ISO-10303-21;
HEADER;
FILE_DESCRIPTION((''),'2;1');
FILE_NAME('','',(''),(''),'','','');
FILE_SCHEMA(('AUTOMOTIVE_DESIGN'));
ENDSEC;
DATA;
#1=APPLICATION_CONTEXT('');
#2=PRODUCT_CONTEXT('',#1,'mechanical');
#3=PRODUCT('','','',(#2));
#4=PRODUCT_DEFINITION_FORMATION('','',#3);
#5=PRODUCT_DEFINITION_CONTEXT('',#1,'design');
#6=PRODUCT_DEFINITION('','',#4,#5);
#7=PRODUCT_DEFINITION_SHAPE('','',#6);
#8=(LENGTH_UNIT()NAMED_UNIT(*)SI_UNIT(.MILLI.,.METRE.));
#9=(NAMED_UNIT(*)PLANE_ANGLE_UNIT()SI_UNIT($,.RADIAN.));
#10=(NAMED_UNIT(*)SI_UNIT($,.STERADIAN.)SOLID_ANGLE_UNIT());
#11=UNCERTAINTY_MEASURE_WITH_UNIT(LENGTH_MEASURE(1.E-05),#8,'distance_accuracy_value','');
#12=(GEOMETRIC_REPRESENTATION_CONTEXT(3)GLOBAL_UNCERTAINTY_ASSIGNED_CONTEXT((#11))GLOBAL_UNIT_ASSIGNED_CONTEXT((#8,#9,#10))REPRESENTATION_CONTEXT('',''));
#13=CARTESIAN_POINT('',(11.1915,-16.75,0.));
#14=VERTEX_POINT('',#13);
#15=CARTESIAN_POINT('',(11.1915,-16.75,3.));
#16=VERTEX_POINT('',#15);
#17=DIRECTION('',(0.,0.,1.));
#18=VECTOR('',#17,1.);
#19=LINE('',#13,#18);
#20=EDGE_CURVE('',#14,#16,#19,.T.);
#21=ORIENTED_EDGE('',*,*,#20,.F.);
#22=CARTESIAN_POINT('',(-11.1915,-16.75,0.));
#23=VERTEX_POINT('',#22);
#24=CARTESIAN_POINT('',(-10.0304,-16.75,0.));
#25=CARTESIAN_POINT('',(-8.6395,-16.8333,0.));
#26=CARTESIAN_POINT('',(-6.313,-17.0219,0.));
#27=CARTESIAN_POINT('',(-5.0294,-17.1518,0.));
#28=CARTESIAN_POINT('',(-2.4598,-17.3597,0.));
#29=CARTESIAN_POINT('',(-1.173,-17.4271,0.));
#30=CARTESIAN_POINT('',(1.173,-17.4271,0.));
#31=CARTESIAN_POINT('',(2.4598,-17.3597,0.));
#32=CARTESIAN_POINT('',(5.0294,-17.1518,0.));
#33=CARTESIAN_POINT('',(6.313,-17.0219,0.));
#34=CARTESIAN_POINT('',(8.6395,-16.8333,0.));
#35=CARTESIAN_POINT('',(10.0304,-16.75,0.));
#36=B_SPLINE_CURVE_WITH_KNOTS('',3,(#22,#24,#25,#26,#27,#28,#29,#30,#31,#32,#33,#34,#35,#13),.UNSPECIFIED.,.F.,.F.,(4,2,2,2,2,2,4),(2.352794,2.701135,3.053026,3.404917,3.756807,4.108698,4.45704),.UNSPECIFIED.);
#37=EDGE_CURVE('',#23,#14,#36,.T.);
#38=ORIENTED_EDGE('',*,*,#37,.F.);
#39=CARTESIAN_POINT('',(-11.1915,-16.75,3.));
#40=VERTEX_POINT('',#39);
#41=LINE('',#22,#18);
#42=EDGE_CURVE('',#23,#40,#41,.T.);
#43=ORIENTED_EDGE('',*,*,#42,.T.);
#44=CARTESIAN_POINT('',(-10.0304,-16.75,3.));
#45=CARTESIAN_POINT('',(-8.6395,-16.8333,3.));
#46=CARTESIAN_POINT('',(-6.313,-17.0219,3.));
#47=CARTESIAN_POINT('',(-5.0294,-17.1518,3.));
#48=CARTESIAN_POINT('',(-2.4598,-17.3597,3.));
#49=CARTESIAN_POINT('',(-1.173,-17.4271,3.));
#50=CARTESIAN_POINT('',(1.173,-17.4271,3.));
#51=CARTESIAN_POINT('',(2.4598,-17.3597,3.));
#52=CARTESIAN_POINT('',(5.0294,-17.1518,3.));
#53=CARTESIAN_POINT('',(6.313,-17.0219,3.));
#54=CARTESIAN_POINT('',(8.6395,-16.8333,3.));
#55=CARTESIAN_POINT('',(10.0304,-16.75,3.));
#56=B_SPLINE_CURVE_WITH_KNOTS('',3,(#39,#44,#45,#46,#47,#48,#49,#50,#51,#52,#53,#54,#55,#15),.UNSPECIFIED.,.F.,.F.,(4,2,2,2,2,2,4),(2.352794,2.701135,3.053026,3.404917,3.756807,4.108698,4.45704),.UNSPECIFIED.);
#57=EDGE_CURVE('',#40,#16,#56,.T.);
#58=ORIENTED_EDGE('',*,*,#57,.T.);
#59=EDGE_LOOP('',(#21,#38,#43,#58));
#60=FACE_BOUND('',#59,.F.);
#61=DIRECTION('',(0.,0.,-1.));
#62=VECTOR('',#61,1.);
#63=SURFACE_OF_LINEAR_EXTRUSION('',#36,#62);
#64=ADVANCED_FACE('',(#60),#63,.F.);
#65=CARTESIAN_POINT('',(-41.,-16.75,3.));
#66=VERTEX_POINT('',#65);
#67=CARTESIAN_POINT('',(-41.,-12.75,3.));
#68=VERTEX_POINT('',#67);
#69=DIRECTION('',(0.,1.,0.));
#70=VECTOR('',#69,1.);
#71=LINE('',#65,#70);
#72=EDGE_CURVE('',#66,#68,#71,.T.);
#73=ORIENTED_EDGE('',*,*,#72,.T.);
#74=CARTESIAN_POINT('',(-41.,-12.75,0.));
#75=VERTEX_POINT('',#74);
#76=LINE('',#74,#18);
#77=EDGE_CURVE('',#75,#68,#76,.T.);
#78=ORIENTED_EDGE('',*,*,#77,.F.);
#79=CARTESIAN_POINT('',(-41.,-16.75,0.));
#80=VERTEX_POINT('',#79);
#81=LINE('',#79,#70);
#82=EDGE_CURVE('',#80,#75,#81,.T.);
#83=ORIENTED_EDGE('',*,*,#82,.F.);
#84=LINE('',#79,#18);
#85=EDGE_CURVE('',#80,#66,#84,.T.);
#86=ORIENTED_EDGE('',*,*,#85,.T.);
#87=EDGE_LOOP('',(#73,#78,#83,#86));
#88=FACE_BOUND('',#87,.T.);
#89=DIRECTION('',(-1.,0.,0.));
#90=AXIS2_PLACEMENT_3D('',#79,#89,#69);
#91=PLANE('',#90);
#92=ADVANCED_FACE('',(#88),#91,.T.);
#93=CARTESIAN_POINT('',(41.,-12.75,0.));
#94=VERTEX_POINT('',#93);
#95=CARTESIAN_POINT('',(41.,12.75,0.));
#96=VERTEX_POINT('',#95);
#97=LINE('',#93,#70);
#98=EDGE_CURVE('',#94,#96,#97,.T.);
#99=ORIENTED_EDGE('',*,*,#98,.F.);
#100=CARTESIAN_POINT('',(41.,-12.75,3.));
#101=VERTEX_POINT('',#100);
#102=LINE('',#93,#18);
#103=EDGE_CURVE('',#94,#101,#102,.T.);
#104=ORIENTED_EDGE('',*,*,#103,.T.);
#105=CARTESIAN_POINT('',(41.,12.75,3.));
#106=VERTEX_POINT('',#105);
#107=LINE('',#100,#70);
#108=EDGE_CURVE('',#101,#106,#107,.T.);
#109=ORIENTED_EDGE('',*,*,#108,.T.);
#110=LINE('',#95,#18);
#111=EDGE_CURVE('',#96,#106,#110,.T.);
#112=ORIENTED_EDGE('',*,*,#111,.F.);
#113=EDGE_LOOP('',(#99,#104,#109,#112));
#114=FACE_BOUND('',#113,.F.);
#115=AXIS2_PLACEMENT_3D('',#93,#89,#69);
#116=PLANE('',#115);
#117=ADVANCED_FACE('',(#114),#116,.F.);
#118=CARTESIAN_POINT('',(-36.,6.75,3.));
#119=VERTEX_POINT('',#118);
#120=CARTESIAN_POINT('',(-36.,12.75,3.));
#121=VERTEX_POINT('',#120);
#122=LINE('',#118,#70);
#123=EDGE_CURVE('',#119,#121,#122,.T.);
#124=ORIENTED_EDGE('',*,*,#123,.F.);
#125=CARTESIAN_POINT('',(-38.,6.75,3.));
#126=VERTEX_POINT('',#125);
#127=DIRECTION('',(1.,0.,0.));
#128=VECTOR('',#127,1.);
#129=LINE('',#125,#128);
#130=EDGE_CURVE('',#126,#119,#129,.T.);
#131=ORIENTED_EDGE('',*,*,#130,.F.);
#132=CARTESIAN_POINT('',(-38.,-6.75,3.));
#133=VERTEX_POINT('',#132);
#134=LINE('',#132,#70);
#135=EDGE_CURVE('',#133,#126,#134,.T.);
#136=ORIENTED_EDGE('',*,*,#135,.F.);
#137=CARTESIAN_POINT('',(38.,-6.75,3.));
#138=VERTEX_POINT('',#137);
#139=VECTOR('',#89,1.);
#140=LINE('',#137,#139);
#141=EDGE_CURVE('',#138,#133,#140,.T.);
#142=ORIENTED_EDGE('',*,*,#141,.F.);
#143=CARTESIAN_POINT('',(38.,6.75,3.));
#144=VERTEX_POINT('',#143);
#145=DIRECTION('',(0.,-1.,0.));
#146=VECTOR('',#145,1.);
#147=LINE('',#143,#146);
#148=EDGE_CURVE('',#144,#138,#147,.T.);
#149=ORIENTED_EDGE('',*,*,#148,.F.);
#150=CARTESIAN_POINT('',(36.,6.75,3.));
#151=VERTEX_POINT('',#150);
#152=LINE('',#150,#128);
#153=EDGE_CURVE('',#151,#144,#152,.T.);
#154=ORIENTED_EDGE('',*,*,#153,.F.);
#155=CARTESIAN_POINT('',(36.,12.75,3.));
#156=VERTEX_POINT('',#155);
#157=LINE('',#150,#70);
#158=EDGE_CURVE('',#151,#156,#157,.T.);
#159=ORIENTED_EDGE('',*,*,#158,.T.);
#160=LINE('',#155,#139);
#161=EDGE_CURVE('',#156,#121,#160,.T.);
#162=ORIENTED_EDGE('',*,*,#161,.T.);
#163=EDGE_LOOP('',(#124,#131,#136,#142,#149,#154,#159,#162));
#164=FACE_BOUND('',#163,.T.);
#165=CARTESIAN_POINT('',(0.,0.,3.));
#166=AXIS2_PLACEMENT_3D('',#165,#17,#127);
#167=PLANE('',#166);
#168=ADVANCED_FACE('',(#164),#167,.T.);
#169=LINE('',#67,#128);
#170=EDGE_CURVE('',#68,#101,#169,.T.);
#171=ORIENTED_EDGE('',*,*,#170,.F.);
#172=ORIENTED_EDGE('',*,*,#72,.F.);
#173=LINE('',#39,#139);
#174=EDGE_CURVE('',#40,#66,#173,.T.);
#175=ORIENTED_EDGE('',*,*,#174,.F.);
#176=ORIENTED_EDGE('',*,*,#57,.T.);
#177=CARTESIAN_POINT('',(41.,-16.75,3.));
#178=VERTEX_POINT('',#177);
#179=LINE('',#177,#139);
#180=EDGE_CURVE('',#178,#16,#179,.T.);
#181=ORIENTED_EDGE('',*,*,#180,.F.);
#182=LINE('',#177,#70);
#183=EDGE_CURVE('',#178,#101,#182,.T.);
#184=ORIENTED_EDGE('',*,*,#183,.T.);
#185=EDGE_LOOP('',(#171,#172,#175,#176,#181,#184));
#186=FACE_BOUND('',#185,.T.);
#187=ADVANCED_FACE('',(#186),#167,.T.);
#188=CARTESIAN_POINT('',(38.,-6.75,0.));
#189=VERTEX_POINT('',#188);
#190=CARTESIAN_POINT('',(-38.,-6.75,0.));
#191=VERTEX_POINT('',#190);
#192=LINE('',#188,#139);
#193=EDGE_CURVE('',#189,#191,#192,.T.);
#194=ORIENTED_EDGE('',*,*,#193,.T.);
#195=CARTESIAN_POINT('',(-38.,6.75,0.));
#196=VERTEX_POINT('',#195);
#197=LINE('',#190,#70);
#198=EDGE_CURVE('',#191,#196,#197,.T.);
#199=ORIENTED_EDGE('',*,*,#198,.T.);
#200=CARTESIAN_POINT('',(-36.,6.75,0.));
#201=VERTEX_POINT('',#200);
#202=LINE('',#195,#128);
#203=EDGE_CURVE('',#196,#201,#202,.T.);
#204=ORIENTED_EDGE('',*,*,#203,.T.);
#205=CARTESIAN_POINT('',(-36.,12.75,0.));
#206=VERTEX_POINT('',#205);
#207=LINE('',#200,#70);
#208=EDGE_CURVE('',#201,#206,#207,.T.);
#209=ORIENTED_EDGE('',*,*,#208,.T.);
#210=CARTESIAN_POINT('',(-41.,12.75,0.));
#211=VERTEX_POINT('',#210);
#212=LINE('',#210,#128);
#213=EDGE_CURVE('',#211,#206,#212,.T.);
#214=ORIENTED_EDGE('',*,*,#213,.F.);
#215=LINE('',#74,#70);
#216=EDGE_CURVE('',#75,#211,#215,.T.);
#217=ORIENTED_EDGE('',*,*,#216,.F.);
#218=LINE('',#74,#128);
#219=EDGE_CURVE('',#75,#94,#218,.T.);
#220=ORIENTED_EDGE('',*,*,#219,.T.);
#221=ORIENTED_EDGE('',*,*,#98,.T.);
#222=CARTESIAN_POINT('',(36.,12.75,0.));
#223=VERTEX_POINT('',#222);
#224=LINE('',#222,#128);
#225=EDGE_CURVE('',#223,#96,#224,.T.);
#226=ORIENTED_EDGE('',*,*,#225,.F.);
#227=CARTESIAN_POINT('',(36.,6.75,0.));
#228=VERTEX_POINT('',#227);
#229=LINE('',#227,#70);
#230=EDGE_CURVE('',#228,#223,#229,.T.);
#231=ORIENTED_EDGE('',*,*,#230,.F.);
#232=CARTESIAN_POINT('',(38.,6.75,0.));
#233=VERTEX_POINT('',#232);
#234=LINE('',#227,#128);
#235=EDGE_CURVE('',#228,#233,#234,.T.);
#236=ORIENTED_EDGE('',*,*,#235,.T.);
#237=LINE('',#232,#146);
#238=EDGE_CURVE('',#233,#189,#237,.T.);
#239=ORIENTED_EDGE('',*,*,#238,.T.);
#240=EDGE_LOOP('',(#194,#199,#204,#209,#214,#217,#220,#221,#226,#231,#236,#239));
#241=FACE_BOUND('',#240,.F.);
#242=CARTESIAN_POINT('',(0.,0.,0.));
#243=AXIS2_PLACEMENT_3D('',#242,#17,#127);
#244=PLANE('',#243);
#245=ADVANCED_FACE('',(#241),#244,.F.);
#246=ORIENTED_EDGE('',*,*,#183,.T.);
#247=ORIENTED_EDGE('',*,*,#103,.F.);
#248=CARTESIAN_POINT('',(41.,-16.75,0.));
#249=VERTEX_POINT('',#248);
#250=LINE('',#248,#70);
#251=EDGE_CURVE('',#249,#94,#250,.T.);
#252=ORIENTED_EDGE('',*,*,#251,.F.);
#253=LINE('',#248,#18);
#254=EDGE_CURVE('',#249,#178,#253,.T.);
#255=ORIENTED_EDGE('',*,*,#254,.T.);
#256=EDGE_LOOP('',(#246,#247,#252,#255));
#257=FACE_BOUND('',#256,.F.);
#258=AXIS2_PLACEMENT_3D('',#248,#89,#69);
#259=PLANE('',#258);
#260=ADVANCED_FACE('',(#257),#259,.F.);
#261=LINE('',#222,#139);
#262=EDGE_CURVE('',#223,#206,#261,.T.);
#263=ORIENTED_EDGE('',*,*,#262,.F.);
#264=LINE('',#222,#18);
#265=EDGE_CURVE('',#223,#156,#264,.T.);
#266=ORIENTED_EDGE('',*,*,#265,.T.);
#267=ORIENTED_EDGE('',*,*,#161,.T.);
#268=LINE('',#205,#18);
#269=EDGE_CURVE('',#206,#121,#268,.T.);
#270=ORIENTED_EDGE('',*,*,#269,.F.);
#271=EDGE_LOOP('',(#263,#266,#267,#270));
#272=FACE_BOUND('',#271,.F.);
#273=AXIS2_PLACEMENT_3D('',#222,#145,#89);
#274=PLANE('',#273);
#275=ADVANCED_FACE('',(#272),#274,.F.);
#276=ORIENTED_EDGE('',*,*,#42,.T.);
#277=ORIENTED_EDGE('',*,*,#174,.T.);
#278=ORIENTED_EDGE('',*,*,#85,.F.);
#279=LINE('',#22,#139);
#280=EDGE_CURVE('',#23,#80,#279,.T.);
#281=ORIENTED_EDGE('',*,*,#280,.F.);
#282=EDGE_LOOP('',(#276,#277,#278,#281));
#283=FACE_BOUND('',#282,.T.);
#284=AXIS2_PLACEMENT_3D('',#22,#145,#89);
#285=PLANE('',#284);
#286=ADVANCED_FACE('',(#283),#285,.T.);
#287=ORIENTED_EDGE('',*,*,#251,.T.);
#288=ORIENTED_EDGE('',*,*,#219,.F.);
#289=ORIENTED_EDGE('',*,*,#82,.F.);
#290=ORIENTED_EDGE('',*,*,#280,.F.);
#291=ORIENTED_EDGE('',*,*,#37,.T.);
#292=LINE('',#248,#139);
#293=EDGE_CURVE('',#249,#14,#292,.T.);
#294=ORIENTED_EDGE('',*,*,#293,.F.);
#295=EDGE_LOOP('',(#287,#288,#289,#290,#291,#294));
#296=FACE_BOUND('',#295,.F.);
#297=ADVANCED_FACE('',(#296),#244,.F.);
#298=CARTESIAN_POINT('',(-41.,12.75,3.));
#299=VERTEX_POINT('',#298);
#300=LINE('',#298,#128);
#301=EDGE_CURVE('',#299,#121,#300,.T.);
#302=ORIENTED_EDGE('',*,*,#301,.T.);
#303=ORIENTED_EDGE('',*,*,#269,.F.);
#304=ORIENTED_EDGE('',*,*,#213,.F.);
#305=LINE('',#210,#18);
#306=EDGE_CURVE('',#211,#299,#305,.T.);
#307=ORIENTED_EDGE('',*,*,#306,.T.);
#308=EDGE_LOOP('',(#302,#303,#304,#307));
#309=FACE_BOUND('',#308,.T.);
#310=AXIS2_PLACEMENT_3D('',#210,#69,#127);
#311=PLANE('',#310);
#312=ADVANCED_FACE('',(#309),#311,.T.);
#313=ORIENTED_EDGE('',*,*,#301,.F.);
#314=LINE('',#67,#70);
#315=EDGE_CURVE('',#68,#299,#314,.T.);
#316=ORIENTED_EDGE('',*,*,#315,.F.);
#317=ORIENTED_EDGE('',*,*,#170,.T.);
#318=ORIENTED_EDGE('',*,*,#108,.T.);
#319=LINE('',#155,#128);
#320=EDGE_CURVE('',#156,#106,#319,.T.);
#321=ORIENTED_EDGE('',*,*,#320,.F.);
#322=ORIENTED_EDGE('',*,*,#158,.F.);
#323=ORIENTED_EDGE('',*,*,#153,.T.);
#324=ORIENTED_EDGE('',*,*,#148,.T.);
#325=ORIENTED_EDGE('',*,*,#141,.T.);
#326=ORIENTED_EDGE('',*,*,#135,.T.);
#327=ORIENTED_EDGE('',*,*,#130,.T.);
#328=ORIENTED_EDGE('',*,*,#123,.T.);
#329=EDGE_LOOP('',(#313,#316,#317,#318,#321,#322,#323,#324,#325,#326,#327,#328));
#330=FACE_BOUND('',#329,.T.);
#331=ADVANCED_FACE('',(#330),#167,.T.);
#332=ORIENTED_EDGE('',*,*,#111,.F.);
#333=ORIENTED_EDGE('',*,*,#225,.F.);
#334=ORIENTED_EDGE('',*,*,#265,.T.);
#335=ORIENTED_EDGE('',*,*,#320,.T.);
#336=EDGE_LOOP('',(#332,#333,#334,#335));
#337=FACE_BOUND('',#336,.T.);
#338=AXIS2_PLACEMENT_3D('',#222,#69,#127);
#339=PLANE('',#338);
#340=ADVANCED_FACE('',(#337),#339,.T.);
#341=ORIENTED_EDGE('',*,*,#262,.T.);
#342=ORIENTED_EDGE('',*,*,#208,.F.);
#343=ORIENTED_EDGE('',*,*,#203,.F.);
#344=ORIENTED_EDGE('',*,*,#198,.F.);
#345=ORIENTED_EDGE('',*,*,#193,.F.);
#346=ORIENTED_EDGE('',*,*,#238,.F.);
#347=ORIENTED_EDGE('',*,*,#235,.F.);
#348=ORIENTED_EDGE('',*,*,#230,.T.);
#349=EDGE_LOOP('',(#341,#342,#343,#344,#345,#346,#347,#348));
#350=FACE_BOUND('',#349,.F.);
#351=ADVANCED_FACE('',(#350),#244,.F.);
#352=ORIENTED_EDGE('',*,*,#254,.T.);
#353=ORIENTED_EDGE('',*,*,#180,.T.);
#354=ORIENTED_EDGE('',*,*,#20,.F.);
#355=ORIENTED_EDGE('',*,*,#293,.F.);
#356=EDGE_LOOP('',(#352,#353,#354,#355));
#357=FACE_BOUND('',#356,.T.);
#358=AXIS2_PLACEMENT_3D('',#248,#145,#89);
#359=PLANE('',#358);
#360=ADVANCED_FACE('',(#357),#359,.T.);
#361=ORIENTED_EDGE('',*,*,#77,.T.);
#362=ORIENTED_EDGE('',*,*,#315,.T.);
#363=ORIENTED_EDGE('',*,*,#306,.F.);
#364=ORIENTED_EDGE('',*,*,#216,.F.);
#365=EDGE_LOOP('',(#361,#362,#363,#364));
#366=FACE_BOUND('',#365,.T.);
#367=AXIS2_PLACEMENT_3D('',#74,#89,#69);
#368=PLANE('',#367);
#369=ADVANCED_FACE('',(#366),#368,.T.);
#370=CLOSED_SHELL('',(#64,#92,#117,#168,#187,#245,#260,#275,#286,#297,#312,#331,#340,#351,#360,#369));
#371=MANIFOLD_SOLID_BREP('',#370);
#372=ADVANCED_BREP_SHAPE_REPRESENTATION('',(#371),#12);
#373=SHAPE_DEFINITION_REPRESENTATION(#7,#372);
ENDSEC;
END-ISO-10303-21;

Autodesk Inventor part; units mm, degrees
ref_plane "YZ Plane" through (0, 0, 0) normal (1, 0, 0) x (0, 1, 0)
ref_plane "XZ Plane" through (0, 0, 0) normal (0, 1, 0) x (-1, 0, 0)
ref_plane "XY Plane" through (0, 0, 0) normal (0, 0, 1) x (1, 0, 0)
sketch "Sketch1" plane through (0, 0, 0) normal (0, 0, 1) x (1, 0, 0)
  line L0 (41, -16.75) -> (11.1915, -16.75) projected
  line L1 (41, -16.75) -> (41, -12.75) projected
  line L2 (-41, -12.75) -> (41, -12.75) projected
  line L3 (-41, -16.75) -> (-41, -12.75) projected
  line L4 (-11.1915, -16.75) -> (-41, -16.75) projected
  spline S0 degree 3 poles (-11.1915, -16.75) (-10.0304, -16.75) (-8.6395, -16.8333) (-6.313, -17.0219) (-5.0294, -17.1518) (-2.4598, -17.3597) (-1.173, -17.4271) (1.173, -17.4271) (2.4598, -17.3597) (5.0294, -17.1518) (6.313, -17.0219) (8.6395, -16.8333) (10.0304, -16.75) (11.1915, -16.75) knots 2.352794 2.352794 2.352794 2.352794 2.701135 2.701135 3.053026 3.053026 3.404917 3.404917 3.756807 3.756807 4.108698 4.108698 4.45704 4.45704 4.45704 4.45704 projected
  line L5 (-38, -6.75) -> (-38, 6.75) projected
  line L6 (-38, 6.75) -> (-36, 6.75) projected
  line L7 (-36, 6.75) -> (-36, 12.75) projected
  line L8 (-41, 12.75) -> (-36, 12.75) projected
  line L9 (-41, -12.75) -> (-41, 12.75) projected
  line L10 (-41, -12.75) -> (41, -12.75) projected
  line L11 (41, -12.75) -> (41, 12.75) projected
  line L12 (36, 12.75) -> (41, 12.75) projected
  line L13 (36, 6.75) -> (36, 12.75) projected
  line L14 (36, 6.75) -> (38, 6.75) projected
  line L15 (38, 6.75) -> (38, -6.75) projected
  line L16 (38, -6.75) -> (-38, -6.75) projected
  line L17 (36, 12.75) -> (-36, 12.75)
  point P0 (0, 0)
extrude "Extrusion1" add sketch "Sketch1" along normal blind 3
properties part number "Cup_Dispenser_Slider_Cover"
